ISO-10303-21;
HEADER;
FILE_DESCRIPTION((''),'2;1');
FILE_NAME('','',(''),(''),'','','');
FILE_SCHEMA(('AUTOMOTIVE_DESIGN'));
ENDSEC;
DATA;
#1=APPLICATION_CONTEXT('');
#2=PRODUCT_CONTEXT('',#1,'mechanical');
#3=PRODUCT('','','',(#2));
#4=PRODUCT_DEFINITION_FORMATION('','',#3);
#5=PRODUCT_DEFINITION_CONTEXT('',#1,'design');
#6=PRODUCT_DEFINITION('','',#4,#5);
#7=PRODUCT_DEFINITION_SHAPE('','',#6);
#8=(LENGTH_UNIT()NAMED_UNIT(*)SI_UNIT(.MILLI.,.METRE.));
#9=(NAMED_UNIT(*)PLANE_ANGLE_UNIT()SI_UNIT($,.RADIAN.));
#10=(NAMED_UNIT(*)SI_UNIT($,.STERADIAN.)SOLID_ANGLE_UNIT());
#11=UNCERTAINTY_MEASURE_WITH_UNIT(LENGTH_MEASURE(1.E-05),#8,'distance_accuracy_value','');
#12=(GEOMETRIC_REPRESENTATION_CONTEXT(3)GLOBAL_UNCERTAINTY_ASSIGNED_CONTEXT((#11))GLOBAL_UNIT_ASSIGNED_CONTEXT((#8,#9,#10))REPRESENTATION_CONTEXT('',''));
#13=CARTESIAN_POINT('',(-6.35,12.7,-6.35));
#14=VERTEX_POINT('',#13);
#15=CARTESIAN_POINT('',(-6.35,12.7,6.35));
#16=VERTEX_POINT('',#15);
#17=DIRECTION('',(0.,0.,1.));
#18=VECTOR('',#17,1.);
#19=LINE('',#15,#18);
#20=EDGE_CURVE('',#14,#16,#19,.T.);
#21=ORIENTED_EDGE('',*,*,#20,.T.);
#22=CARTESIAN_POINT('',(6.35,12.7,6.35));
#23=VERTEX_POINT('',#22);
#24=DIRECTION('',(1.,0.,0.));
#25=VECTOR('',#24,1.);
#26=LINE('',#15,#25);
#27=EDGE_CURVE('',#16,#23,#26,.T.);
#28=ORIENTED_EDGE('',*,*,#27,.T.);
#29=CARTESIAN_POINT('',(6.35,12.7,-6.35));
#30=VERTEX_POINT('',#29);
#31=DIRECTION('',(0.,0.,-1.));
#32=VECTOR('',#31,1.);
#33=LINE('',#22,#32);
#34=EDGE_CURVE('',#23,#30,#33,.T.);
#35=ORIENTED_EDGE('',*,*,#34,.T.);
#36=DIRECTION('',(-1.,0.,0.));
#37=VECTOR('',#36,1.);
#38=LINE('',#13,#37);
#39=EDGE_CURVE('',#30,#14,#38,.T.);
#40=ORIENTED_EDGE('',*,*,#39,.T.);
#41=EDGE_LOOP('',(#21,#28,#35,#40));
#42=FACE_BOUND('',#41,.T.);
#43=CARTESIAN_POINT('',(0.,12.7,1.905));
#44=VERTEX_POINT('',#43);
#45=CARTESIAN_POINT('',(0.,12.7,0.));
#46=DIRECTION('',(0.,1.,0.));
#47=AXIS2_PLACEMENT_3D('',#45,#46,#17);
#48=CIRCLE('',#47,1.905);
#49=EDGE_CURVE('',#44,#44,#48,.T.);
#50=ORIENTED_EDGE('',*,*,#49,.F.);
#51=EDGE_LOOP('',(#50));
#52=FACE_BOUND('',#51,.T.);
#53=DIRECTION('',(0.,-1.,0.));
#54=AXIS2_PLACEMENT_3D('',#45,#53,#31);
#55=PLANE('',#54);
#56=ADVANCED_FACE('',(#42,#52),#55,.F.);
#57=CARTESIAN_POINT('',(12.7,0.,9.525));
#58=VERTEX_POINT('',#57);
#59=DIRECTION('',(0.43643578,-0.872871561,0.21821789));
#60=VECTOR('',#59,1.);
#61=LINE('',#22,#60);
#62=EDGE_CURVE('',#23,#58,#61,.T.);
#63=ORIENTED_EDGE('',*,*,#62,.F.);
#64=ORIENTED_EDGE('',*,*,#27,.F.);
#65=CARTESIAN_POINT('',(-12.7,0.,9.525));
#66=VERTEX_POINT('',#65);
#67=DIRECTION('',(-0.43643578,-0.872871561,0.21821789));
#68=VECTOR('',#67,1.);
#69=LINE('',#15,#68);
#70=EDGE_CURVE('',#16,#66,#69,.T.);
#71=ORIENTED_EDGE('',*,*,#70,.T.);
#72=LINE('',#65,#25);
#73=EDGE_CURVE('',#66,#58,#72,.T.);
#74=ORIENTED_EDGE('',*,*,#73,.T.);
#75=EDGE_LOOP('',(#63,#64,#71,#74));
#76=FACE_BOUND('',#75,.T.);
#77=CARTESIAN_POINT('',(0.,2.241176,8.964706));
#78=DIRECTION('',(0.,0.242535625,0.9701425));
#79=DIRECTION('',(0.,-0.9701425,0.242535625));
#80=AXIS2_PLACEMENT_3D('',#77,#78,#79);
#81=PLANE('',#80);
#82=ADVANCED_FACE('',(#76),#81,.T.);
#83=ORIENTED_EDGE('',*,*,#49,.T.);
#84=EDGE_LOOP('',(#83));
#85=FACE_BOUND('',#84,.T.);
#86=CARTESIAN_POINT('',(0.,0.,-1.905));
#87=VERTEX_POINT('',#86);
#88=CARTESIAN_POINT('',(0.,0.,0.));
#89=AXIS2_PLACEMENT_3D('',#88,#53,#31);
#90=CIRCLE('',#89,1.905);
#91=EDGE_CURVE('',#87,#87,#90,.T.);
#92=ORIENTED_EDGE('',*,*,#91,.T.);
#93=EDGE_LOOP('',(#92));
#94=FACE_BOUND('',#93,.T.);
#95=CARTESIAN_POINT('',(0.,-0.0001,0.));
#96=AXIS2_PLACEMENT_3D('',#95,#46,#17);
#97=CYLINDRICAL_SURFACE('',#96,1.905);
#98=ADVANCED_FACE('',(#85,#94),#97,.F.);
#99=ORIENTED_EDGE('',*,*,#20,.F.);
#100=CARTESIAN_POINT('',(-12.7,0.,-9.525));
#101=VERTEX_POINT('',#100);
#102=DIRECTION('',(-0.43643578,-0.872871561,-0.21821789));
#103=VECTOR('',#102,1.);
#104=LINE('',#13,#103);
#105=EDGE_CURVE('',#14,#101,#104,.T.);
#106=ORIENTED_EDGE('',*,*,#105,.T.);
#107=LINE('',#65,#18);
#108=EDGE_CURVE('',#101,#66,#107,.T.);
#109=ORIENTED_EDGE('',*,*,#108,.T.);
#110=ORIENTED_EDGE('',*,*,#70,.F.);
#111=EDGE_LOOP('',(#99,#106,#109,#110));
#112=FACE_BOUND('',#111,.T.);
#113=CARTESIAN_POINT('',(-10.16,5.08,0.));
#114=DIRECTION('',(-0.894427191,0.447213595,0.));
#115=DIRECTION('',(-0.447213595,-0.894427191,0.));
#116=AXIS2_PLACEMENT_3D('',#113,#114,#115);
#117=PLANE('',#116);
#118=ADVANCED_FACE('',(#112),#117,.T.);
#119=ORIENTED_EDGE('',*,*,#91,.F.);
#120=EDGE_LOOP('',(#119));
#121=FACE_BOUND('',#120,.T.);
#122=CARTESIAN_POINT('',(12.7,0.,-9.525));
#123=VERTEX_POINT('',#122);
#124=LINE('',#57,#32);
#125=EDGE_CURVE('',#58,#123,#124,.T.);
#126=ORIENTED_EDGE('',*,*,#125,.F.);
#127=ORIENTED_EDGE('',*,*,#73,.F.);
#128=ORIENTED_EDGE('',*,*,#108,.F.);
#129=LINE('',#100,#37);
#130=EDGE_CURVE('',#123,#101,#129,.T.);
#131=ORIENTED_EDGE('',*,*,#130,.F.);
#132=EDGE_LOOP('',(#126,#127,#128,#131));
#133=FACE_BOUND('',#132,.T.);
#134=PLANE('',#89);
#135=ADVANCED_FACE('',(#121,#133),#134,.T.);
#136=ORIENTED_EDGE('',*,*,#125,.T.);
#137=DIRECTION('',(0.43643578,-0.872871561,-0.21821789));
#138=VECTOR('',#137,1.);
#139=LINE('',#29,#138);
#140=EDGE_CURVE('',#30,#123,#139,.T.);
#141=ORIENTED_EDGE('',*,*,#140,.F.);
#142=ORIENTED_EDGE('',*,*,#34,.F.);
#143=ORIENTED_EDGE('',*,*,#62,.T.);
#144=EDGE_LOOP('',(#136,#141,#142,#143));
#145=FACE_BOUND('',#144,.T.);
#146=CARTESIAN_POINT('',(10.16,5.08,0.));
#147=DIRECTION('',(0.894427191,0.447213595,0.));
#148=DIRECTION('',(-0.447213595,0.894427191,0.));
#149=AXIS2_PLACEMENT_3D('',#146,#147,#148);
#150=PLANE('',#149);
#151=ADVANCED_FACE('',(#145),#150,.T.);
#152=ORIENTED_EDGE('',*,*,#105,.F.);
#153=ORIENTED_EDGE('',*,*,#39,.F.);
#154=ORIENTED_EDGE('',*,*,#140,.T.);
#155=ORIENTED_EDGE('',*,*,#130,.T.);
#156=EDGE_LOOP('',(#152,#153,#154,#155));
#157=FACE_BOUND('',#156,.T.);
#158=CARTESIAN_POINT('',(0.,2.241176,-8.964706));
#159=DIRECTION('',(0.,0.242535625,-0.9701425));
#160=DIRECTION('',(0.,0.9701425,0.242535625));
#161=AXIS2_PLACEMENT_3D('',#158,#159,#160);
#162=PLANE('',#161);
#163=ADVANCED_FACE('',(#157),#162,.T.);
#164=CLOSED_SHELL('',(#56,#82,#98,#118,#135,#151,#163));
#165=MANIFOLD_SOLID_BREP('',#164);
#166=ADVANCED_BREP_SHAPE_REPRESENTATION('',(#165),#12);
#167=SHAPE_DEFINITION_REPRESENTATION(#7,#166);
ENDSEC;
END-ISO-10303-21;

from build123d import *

# Parameters (mm, degrees)
SKETCH3_R          = 1.905
CUT_EXTRUDE1_DEPTH = 21.329919626


with BuildPart() as part:
    # Sketch2 → Loft1 section 0
    with BuildSketch(Plane(origin=(0, 12.7, 0), x_dir=(1, 0, 0), z_dir=(0, 1, 0))):
        with BuildLine():
            Line((-6.35, -6.35), (6.35, -6.35))
            Line((6.35, -6.35), (6.35, 6.35))
            Line((6.35, 6.35), (-6.35, 6.35))
            Line((-6.35, 6.35), (-6.35, -6.35))
        make_face()
    # Sketch1 → Loft1 section 1
    with BuildSketch(Plane(origin=(0, 0, 0), x_dir=(1, 0, 0), z_dir=(0, 1, 0))):
        with BuildLine():
            Line((-12.7, -9.525), (12.7, -9.525))
            Line((12.7, -9.525), (12.7, 9.525))
            Line((12.7, 9.525), (-12.7, 9.525))
            Line((-12.7, 9.525), (-12.7, -9.525))
        make_face()
    loft()

    # Sketch3 → Cut-Extrude1 (cut, through all)
    with BuildSketch(Plane(origin=(0, 12.7, 0), x_dir=(1, 0, 0), z_dir=(0, 1, 0))):
        with Locations(Location((0, 0, 0), (0, 0, 270))):
            Circle(SKETCH3_R)
    extrude(amount=-CUT_EXTRUDE1_DEPTH, mode=Mode.SUBTRACT)


solid = part.part
